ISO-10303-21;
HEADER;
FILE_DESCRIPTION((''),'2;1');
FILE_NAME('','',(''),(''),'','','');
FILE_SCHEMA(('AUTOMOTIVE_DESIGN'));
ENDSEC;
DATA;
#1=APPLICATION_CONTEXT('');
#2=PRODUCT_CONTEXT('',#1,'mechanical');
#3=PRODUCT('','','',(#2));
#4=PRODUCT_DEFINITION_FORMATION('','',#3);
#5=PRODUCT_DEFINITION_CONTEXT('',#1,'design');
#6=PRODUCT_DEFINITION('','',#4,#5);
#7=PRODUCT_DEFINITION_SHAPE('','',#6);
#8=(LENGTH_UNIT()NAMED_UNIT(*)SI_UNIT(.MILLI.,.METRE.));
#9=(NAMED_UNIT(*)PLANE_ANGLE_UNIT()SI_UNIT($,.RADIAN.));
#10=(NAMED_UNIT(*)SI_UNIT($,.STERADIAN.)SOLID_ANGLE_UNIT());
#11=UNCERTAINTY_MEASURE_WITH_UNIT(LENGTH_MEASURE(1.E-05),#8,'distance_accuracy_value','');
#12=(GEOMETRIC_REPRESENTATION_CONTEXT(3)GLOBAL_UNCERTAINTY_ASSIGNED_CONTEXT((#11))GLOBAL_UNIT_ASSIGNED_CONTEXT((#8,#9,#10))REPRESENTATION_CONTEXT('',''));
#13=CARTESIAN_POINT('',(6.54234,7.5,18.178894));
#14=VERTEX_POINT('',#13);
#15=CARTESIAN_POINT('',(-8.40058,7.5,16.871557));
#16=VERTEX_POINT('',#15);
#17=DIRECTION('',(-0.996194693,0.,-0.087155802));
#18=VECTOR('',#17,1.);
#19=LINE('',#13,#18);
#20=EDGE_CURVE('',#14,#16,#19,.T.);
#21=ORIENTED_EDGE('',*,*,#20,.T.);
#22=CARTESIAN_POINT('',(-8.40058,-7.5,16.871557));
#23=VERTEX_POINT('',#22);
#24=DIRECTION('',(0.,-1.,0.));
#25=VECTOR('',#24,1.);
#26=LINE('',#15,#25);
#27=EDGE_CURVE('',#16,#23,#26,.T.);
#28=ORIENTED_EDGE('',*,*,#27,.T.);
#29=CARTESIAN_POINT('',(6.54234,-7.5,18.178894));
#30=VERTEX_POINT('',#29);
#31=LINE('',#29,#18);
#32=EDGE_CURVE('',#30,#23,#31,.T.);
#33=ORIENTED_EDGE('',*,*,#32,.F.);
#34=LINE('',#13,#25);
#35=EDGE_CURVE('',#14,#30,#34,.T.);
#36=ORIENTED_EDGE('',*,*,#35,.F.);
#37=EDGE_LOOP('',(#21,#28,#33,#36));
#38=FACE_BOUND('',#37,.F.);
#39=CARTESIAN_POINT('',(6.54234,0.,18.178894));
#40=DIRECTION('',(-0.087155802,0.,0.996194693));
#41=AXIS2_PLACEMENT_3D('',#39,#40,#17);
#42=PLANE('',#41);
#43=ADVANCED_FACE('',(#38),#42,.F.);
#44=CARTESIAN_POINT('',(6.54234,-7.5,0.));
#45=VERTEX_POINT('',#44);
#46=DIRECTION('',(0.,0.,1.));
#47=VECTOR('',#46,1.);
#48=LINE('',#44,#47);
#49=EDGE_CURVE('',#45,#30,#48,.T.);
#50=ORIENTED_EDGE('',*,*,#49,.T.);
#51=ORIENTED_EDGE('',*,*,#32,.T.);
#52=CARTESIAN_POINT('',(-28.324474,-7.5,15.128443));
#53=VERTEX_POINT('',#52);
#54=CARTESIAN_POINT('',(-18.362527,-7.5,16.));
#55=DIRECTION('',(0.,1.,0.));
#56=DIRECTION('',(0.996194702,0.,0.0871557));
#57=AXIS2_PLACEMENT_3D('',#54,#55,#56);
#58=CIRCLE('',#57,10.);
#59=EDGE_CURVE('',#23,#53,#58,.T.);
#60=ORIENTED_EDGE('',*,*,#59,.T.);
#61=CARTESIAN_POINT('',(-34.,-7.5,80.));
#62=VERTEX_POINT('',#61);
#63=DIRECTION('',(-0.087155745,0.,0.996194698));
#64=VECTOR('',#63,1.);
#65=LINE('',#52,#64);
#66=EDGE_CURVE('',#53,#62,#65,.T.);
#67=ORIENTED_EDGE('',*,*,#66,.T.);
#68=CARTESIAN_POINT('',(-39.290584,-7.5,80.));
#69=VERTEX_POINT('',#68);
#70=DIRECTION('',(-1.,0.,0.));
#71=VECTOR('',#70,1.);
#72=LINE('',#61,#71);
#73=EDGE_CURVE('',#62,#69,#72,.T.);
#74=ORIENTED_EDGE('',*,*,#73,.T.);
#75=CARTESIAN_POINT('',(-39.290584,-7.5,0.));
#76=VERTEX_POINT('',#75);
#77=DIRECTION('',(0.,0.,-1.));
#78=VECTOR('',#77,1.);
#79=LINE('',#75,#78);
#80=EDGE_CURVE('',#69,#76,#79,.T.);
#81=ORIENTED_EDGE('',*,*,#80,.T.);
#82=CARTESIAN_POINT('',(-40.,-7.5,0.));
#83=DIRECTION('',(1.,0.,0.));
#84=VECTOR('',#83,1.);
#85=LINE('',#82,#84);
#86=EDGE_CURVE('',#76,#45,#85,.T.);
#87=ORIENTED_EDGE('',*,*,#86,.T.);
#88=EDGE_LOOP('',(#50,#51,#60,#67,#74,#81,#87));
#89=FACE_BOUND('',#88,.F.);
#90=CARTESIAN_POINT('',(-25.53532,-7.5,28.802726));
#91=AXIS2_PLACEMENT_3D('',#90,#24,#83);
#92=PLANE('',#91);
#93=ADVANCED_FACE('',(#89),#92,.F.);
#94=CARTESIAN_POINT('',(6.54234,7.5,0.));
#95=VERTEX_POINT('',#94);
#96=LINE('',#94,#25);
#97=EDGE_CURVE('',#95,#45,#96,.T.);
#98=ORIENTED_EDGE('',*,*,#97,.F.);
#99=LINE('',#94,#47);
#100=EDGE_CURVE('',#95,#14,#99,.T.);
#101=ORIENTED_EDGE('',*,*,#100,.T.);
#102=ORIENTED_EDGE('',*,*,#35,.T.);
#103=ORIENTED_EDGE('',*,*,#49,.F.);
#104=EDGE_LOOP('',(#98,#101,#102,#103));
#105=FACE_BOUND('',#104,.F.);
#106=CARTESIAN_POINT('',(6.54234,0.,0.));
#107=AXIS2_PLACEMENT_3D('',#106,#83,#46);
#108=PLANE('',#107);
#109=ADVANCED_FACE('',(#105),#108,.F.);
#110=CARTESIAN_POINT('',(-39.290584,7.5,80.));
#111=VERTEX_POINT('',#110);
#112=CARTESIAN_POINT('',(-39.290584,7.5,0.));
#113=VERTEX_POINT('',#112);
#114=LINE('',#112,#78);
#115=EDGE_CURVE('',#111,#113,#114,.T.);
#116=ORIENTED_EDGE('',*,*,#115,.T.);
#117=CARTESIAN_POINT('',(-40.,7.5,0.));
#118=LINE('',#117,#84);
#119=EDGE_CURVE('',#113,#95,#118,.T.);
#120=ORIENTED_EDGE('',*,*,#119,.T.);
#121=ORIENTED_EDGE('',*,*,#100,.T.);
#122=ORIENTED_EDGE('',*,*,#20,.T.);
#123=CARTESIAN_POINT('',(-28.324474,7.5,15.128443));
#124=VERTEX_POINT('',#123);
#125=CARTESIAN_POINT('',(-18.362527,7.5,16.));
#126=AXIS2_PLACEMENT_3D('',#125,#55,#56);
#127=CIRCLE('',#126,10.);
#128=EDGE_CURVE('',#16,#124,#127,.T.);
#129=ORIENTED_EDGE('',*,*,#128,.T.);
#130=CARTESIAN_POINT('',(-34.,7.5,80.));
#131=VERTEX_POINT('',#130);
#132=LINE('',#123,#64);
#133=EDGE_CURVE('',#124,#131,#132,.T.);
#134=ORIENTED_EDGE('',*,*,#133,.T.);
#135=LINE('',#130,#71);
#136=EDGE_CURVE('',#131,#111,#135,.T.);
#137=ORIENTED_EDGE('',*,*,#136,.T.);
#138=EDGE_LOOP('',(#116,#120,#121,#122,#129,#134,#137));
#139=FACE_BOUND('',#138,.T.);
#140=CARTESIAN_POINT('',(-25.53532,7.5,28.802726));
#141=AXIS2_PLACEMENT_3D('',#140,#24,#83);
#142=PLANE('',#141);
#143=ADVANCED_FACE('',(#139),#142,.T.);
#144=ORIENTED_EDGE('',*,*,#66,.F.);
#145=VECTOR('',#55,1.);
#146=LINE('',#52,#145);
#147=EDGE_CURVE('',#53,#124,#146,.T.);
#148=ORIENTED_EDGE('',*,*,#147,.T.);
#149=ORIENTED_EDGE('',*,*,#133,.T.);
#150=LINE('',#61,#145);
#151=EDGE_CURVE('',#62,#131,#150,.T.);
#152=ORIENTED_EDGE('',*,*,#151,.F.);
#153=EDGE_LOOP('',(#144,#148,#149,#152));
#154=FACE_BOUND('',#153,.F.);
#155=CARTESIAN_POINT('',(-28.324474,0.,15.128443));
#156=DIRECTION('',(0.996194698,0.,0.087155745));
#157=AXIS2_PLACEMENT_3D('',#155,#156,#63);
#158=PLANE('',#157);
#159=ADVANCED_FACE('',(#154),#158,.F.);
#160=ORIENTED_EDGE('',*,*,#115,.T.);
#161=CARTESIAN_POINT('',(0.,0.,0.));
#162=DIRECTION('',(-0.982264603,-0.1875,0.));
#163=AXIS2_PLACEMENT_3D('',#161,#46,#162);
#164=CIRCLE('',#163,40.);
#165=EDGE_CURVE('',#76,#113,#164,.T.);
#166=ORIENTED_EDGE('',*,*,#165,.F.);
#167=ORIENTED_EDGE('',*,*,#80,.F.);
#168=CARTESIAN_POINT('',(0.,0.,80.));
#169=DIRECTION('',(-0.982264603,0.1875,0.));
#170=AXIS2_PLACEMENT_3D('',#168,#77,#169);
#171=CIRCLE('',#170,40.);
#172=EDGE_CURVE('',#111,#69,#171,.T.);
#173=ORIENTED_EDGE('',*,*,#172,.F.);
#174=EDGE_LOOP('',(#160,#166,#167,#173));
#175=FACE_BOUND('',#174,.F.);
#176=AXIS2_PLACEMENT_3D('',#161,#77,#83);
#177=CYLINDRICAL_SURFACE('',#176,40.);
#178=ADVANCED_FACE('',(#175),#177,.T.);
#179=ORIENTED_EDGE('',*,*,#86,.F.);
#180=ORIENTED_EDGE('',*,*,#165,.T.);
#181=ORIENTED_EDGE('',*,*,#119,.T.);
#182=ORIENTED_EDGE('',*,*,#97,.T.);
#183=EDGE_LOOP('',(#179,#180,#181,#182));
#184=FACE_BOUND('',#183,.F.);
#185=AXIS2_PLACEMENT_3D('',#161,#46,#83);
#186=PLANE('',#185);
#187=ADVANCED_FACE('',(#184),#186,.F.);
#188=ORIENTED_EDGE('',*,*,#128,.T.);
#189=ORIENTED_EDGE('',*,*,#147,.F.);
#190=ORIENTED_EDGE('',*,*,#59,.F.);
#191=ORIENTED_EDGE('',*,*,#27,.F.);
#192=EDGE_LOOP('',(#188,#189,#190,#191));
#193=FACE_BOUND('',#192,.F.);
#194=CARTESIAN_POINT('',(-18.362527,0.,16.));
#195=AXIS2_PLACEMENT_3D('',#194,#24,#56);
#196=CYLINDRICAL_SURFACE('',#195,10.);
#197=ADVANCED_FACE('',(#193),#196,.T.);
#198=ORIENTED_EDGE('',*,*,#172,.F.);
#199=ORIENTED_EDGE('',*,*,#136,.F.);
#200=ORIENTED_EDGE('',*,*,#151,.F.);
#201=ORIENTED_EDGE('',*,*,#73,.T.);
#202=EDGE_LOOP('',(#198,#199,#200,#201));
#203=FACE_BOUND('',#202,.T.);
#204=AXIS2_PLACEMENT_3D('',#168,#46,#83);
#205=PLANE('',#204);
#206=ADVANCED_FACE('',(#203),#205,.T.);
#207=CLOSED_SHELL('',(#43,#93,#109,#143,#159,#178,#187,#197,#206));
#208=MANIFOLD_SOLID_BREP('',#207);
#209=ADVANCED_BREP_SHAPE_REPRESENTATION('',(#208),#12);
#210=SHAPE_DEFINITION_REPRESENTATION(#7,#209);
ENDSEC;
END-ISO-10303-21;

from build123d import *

# Parameters (mm, degrees)
F0_R     = 40
F1_DEPTH = 80
F3_DEPTH = 7.5


with BuildPart() as f1:
    # F0 (on Top) → F1 (new body)
    with BuildSketch(Plane.XY):
        Circle(F0_R)
    extrude(amount=F1_DEPTH)

    # F2 (on Front) → F3 (cut, symmetric)
    with BuildSketch(Plane.XZ):
        with BuildLine():
            Line((-40, 80), (-40, 0))
            Line((-40, 0), (6.54234, 0))
            Line((6.54234, 0), (6.54234, 18.178894))
            Line((6.54234, 18.178894), (-8.40058, 16.871557))
            ThreePointArc((-8.40058, 16.871557), (-17.49097, 6.038053), (-28.324474, 15.128443))
            Line((-28.324474, 15.128443), (-34, 80))
            Line((-34, 80), (-40, 80))
        make_face()
    extrude(amount=F3_DEPTH, both=True, mode=Mode.SUBTRACT)


solid = f1.part
